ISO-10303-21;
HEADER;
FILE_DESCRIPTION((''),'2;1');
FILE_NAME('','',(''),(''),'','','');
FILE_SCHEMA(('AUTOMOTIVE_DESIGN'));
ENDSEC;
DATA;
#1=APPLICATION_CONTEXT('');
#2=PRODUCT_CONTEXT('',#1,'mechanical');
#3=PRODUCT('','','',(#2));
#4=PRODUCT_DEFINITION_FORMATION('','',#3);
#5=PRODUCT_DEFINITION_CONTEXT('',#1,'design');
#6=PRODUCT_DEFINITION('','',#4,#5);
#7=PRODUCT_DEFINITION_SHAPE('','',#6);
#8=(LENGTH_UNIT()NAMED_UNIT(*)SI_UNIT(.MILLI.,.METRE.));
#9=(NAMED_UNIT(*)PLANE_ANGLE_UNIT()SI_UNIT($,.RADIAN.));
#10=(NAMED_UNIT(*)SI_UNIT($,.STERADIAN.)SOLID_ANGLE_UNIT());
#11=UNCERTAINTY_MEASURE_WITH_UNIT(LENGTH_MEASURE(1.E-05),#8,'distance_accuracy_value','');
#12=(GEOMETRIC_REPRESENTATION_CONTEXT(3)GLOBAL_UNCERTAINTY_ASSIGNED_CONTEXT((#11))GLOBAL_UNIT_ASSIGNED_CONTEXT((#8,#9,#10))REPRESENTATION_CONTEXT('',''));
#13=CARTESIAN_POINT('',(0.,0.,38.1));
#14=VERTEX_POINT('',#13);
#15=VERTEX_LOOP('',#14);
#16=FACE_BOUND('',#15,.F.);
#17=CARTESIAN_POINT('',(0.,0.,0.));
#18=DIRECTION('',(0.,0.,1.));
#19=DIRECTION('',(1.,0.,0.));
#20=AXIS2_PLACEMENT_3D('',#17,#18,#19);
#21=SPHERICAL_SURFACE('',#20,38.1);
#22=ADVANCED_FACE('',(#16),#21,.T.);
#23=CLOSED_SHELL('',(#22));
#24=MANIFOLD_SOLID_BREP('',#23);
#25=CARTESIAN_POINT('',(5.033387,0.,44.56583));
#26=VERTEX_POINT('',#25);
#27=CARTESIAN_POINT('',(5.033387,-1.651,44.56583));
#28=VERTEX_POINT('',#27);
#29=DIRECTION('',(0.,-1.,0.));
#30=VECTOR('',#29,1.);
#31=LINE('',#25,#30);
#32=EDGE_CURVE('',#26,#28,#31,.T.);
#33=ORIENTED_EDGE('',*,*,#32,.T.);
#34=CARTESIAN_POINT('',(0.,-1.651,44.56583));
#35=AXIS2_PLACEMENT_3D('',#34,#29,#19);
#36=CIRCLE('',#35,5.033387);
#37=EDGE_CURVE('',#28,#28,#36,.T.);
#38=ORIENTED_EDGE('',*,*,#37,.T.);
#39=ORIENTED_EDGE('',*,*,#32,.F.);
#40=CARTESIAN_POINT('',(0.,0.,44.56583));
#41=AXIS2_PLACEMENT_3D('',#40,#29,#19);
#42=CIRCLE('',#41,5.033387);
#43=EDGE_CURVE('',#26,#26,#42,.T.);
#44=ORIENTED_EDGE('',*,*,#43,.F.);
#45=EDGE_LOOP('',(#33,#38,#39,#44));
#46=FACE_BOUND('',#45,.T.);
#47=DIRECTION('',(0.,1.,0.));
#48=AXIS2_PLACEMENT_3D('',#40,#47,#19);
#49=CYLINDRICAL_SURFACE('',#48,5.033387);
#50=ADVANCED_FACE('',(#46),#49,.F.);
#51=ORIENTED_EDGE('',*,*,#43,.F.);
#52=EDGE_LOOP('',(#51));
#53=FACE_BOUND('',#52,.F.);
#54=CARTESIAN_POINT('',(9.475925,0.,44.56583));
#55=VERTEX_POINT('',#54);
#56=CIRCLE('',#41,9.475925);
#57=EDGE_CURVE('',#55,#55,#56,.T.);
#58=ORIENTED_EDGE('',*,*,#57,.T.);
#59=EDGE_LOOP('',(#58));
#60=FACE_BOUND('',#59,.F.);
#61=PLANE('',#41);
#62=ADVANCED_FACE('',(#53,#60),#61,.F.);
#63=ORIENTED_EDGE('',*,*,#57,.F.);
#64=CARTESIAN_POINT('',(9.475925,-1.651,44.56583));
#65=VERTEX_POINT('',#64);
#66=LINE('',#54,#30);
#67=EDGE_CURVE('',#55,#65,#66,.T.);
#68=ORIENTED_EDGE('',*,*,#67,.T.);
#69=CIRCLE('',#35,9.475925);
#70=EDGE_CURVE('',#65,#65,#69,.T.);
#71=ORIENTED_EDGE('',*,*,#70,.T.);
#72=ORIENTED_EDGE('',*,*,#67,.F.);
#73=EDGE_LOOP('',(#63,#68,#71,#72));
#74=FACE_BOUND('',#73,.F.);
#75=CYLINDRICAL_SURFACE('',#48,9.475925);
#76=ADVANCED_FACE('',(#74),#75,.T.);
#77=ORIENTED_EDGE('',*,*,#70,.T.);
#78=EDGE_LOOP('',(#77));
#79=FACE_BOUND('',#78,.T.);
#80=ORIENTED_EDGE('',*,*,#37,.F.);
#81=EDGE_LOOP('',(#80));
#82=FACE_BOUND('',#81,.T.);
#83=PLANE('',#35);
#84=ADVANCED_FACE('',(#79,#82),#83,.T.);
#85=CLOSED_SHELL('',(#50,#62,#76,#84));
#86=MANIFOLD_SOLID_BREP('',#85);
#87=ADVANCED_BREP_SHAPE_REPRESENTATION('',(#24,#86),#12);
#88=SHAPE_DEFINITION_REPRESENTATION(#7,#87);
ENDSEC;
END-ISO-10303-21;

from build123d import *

# Parameters (mm, degrees)
F2_R     = 9.475925
F2_R_2   = 5.033387
F3_DEPTH = 1.651


with BuildPart() as f1:
    # F0 (on Front) → F1 (revolve)
    with BuildSketch(Plane.XZ):
        with BuildLine():
            Line((0, 38.1), (0, -38.1))
            ThreePointArc((0, -38.1), (38.1, 0), (0, 38.1))
        make_face()
    revolve(axis=Axis((0, 0, -7.036711), (0, 0, -1)))


with BuildPart() as f3:
    # F2 (on Front) → F3 (new body)
    with BuildSketch(Plane.XZ):
        with Locations((0, 44.56583)):
            Circle(F2_R)
        with Locations((0, 44.56583)):
            Circle(F2_R_2, mode=Mode.SUBTRACT)
    extrude(amount=F3_DEPTH)


solid = Compound([f1.part, f3.part])
